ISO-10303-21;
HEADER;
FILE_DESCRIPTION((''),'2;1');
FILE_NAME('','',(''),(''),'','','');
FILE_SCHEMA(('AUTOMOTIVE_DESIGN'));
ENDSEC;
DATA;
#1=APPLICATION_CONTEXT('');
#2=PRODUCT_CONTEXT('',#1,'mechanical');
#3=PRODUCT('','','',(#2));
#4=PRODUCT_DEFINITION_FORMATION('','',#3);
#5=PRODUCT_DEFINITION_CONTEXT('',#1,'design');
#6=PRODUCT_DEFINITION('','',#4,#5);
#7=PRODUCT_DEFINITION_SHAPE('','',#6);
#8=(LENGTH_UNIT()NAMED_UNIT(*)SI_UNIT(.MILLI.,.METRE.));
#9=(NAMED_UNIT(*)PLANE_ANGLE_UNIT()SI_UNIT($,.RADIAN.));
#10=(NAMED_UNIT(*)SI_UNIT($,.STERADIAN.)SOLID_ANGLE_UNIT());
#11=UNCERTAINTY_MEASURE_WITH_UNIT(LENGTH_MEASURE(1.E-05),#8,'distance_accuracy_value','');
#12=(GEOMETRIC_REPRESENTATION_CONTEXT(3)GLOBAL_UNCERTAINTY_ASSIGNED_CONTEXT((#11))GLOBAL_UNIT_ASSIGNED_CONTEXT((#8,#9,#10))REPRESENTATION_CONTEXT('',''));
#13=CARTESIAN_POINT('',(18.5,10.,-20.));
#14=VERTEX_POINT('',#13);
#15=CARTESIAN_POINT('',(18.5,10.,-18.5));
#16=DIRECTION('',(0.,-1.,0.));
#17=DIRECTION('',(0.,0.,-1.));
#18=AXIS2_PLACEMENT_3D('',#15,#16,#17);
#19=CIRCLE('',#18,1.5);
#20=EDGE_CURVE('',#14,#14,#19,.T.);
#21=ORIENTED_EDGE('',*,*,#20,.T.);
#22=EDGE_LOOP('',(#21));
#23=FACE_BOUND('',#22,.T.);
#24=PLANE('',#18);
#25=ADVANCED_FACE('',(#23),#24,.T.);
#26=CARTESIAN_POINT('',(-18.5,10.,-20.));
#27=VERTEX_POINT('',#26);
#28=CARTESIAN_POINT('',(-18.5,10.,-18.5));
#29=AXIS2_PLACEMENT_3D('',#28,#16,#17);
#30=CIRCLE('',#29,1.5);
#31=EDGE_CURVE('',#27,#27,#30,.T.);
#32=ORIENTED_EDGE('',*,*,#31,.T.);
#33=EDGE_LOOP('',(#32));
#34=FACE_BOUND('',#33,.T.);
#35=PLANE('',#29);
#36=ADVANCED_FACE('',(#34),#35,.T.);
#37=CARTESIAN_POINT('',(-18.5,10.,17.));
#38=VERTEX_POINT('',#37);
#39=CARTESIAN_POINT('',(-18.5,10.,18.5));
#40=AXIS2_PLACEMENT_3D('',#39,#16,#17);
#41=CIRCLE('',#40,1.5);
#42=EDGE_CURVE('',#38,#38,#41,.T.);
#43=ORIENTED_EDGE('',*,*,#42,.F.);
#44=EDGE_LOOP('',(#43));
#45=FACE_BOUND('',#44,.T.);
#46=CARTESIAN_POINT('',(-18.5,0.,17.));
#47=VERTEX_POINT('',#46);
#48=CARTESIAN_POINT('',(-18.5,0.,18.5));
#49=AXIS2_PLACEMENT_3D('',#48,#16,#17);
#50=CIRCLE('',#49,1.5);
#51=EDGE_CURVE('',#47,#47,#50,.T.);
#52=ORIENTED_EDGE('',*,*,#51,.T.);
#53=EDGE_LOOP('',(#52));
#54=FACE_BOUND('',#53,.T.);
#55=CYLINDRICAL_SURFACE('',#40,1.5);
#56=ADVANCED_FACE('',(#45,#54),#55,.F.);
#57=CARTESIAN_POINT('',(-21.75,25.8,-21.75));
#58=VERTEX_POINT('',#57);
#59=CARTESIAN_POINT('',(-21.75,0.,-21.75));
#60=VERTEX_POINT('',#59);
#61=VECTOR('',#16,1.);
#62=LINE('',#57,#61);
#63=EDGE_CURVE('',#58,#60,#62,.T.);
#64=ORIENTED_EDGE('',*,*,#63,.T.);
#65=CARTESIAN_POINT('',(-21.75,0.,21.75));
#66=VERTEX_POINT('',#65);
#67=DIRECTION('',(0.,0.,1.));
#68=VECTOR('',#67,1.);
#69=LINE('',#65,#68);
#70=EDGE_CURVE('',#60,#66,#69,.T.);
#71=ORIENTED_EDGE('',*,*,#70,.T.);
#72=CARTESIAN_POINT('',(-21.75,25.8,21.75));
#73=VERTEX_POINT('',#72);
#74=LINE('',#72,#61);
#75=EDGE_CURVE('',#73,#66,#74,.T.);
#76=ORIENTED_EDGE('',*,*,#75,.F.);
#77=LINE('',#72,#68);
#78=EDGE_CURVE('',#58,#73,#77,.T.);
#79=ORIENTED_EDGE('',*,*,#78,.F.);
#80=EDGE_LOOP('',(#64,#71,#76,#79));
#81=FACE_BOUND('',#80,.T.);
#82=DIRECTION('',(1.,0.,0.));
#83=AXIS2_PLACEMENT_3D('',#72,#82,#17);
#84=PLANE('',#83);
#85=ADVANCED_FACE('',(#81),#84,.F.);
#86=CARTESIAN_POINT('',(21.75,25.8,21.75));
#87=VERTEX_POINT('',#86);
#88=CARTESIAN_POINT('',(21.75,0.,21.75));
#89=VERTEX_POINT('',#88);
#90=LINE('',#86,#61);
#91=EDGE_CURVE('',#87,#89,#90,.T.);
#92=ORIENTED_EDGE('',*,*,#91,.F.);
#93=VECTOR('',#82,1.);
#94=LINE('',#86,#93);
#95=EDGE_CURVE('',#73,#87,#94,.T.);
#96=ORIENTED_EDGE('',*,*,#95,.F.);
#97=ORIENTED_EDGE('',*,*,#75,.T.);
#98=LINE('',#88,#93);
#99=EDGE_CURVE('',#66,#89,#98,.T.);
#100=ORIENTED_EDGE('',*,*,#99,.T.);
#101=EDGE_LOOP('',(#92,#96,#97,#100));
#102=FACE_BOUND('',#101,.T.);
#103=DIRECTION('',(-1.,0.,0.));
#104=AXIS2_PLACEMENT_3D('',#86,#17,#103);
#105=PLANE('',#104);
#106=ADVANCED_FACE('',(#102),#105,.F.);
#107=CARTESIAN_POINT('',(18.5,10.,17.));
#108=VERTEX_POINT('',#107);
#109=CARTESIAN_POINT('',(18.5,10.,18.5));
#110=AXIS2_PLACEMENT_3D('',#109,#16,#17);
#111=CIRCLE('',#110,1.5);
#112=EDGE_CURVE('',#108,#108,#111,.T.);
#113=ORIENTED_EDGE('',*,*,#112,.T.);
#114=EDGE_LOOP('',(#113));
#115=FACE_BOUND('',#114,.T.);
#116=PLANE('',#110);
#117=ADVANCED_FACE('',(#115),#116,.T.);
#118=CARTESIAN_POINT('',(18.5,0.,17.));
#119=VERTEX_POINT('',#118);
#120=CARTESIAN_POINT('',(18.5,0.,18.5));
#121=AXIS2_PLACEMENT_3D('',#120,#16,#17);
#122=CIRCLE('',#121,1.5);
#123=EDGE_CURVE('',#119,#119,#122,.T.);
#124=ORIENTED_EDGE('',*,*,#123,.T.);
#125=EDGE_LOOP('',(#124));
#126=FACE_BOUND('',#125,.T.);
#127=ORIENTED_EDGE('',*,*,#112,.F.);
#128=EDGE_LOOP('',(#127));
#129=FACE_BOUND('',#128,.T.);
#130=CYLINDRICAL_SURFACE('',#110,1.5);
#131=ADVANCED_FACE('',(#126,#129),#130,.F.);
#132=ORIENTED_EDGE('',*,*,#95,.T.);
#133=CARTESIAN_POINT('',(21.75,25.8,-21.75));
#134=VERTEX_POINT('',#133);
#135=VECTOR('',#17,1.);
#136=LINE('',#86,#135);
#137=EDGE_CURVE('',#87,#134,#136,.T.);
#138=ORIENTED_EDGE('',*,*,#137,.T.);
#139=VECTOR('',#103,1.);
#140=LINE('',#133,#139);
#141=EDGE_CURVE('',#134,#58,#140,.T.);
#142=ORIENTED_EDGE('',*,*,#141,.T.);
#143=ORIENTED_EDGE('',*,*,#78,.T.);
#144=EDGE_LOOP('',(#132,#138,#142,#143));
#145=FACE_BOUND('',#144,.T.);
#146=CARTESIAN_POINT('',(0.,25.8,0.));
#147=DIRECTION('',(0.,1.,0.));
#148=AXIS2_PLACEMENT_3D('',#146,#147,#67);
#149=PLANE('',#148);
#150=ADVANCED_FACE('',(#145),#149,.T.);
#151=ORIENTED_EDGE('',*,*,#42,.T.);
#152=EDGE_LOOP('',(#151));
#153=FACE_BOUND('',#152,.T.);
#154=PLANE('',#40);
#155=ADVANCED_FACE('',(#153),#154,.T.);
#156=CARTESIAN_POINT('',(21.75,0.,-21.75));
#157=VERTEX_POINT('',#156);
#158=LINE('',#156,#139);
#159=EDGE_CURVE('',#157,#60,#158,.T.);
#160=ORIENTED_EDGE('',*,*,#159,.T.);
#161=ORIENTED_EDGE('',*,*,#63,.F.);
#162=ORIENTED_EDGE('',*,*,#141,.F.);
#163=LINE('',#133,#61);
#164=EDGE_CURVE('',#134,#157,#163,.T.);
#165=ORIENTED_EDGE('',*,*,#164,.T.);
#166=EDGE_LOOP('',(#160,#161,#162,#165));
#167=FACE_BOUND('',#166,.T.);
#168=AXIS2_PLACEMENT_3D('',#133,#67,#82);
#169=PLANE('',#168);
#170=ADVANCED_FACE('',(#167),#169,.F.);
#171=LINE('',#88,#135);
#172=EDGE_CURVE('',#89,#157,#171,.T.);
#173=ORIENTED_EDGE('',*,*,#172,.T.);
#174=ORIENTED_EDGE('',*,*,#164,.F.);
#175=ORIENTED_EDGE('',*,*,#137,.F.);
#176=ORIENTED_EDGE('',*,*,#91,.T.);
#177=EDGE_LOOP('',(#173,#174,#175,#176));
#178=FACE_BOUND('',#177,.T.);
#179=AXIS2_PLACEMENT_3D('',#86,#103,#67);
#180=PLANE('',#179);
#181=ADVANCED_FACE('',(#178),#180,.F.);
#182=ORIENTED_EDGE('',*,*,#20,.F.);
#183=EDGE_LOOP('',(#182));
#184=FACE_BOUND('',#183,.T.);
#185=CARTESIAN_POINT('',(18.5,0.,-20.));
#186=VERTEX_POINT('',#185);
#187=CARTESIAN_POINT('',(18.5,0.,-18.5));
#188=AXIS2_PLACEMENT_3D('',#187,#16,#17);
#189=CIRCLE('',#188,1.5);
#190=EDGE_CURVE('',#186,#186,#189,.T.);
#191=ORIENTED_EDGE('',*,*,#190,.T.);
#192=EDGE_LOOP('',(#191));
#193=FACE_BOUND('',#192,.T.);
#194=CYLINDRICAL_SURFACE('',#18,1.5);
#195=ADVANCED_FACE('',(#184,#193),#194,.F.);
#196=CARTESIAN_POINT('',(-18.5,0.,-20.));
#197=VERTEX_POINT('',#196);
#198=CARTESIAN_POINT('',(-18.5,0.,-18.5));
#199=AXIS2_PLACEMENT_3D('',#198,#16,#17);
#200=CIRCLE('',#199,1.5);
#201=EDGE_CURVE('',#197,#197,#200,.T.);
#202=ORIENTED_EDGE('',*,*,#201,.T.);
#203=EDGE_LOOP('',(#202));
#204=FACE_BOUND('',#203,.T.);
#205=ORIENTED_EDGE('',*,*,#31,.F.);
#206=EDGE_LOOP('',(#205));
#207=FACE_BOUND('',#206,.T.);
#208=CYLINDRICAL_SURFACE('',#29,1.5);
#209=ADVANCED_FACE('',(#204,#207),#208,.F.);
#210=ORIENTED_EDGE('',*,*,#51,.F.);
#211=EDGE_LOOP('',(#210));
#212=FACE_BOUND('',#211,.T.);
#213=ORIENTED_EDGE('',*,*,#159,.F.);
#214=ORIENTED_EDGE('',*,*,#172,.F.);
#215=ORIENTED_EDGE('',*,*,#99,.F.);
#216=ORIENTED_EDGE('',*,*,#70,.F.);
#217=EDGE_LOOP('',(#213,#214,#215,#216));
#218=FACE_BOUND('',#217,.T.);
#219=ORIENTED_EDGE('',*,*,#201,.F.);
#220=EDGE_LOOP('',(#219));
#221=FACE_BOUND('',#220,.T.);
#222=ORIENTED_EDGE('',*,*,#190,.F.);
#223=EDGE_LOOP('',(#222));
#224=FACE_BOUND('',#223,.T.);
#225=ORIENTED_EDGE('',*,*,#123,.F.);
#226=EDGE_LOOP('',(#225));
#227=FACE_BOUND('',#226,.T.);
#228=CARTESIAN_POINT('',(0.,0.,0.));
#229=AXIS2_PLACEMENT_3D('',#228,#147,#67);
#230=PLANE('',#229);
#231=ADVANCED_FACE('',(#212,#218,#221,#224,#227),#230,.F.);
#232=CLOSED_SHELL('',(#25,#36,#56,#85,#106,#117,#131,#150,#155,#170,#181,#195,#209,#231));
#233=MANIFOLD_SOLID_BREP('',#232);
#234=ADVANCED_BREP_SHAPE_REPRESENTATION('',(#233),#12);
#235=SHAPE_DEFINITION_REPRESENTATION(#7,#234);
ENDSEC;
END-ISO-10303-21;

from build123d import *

# Parameters (mm, degrees)
SKETCH_1_W          = 43.5
SKETCH_1_H          = 43.5
EXTRUDE_1_DEPTH     = 25.8
SKETCH_2_R          = 1.5
CUT_EXTRUDE_1_DEPTH = 10


with BuildPart() as part:
    # Эскиз1 → Бобышка-Вытянуть1 (new body)
    with BuildSketch(Plane(origin=(0, 0, 0), x_dir=(1, 0, 0), z_dir=(0, 1, 0))):
        Rectangle(SKETCH_1_W, SKETCH_1_H)
    extrude(amount=EXTRUDE_1_DEPTH)

    # Эскиз2 → Вырез-Вытянуть1 (cut)
    with BuildSketch(Plane.XZ):
        with Locations(Location((-18.5, 18.5, 0), (0, 0, 270))):
            Circle(SKETCH_2_R)
        with Locations(Location((18.5, 18.5, 0), (0, 0, 270))):
            Circle(SKETCH_2_R)
        with Locations(Location((-18.5, -18.5, 0), (0, 0, 270))):
            Circle(SKETCH_2_R)
        with Locations(Location((18.5, -18.5, 0), (0, 0, 270))):
            Circle(SKETCH_2_R)
    extrude(amount=-CUT_EXTRUDE_1_DEPTH, mode=Mode.SUBTRACT)


solid = part.part
